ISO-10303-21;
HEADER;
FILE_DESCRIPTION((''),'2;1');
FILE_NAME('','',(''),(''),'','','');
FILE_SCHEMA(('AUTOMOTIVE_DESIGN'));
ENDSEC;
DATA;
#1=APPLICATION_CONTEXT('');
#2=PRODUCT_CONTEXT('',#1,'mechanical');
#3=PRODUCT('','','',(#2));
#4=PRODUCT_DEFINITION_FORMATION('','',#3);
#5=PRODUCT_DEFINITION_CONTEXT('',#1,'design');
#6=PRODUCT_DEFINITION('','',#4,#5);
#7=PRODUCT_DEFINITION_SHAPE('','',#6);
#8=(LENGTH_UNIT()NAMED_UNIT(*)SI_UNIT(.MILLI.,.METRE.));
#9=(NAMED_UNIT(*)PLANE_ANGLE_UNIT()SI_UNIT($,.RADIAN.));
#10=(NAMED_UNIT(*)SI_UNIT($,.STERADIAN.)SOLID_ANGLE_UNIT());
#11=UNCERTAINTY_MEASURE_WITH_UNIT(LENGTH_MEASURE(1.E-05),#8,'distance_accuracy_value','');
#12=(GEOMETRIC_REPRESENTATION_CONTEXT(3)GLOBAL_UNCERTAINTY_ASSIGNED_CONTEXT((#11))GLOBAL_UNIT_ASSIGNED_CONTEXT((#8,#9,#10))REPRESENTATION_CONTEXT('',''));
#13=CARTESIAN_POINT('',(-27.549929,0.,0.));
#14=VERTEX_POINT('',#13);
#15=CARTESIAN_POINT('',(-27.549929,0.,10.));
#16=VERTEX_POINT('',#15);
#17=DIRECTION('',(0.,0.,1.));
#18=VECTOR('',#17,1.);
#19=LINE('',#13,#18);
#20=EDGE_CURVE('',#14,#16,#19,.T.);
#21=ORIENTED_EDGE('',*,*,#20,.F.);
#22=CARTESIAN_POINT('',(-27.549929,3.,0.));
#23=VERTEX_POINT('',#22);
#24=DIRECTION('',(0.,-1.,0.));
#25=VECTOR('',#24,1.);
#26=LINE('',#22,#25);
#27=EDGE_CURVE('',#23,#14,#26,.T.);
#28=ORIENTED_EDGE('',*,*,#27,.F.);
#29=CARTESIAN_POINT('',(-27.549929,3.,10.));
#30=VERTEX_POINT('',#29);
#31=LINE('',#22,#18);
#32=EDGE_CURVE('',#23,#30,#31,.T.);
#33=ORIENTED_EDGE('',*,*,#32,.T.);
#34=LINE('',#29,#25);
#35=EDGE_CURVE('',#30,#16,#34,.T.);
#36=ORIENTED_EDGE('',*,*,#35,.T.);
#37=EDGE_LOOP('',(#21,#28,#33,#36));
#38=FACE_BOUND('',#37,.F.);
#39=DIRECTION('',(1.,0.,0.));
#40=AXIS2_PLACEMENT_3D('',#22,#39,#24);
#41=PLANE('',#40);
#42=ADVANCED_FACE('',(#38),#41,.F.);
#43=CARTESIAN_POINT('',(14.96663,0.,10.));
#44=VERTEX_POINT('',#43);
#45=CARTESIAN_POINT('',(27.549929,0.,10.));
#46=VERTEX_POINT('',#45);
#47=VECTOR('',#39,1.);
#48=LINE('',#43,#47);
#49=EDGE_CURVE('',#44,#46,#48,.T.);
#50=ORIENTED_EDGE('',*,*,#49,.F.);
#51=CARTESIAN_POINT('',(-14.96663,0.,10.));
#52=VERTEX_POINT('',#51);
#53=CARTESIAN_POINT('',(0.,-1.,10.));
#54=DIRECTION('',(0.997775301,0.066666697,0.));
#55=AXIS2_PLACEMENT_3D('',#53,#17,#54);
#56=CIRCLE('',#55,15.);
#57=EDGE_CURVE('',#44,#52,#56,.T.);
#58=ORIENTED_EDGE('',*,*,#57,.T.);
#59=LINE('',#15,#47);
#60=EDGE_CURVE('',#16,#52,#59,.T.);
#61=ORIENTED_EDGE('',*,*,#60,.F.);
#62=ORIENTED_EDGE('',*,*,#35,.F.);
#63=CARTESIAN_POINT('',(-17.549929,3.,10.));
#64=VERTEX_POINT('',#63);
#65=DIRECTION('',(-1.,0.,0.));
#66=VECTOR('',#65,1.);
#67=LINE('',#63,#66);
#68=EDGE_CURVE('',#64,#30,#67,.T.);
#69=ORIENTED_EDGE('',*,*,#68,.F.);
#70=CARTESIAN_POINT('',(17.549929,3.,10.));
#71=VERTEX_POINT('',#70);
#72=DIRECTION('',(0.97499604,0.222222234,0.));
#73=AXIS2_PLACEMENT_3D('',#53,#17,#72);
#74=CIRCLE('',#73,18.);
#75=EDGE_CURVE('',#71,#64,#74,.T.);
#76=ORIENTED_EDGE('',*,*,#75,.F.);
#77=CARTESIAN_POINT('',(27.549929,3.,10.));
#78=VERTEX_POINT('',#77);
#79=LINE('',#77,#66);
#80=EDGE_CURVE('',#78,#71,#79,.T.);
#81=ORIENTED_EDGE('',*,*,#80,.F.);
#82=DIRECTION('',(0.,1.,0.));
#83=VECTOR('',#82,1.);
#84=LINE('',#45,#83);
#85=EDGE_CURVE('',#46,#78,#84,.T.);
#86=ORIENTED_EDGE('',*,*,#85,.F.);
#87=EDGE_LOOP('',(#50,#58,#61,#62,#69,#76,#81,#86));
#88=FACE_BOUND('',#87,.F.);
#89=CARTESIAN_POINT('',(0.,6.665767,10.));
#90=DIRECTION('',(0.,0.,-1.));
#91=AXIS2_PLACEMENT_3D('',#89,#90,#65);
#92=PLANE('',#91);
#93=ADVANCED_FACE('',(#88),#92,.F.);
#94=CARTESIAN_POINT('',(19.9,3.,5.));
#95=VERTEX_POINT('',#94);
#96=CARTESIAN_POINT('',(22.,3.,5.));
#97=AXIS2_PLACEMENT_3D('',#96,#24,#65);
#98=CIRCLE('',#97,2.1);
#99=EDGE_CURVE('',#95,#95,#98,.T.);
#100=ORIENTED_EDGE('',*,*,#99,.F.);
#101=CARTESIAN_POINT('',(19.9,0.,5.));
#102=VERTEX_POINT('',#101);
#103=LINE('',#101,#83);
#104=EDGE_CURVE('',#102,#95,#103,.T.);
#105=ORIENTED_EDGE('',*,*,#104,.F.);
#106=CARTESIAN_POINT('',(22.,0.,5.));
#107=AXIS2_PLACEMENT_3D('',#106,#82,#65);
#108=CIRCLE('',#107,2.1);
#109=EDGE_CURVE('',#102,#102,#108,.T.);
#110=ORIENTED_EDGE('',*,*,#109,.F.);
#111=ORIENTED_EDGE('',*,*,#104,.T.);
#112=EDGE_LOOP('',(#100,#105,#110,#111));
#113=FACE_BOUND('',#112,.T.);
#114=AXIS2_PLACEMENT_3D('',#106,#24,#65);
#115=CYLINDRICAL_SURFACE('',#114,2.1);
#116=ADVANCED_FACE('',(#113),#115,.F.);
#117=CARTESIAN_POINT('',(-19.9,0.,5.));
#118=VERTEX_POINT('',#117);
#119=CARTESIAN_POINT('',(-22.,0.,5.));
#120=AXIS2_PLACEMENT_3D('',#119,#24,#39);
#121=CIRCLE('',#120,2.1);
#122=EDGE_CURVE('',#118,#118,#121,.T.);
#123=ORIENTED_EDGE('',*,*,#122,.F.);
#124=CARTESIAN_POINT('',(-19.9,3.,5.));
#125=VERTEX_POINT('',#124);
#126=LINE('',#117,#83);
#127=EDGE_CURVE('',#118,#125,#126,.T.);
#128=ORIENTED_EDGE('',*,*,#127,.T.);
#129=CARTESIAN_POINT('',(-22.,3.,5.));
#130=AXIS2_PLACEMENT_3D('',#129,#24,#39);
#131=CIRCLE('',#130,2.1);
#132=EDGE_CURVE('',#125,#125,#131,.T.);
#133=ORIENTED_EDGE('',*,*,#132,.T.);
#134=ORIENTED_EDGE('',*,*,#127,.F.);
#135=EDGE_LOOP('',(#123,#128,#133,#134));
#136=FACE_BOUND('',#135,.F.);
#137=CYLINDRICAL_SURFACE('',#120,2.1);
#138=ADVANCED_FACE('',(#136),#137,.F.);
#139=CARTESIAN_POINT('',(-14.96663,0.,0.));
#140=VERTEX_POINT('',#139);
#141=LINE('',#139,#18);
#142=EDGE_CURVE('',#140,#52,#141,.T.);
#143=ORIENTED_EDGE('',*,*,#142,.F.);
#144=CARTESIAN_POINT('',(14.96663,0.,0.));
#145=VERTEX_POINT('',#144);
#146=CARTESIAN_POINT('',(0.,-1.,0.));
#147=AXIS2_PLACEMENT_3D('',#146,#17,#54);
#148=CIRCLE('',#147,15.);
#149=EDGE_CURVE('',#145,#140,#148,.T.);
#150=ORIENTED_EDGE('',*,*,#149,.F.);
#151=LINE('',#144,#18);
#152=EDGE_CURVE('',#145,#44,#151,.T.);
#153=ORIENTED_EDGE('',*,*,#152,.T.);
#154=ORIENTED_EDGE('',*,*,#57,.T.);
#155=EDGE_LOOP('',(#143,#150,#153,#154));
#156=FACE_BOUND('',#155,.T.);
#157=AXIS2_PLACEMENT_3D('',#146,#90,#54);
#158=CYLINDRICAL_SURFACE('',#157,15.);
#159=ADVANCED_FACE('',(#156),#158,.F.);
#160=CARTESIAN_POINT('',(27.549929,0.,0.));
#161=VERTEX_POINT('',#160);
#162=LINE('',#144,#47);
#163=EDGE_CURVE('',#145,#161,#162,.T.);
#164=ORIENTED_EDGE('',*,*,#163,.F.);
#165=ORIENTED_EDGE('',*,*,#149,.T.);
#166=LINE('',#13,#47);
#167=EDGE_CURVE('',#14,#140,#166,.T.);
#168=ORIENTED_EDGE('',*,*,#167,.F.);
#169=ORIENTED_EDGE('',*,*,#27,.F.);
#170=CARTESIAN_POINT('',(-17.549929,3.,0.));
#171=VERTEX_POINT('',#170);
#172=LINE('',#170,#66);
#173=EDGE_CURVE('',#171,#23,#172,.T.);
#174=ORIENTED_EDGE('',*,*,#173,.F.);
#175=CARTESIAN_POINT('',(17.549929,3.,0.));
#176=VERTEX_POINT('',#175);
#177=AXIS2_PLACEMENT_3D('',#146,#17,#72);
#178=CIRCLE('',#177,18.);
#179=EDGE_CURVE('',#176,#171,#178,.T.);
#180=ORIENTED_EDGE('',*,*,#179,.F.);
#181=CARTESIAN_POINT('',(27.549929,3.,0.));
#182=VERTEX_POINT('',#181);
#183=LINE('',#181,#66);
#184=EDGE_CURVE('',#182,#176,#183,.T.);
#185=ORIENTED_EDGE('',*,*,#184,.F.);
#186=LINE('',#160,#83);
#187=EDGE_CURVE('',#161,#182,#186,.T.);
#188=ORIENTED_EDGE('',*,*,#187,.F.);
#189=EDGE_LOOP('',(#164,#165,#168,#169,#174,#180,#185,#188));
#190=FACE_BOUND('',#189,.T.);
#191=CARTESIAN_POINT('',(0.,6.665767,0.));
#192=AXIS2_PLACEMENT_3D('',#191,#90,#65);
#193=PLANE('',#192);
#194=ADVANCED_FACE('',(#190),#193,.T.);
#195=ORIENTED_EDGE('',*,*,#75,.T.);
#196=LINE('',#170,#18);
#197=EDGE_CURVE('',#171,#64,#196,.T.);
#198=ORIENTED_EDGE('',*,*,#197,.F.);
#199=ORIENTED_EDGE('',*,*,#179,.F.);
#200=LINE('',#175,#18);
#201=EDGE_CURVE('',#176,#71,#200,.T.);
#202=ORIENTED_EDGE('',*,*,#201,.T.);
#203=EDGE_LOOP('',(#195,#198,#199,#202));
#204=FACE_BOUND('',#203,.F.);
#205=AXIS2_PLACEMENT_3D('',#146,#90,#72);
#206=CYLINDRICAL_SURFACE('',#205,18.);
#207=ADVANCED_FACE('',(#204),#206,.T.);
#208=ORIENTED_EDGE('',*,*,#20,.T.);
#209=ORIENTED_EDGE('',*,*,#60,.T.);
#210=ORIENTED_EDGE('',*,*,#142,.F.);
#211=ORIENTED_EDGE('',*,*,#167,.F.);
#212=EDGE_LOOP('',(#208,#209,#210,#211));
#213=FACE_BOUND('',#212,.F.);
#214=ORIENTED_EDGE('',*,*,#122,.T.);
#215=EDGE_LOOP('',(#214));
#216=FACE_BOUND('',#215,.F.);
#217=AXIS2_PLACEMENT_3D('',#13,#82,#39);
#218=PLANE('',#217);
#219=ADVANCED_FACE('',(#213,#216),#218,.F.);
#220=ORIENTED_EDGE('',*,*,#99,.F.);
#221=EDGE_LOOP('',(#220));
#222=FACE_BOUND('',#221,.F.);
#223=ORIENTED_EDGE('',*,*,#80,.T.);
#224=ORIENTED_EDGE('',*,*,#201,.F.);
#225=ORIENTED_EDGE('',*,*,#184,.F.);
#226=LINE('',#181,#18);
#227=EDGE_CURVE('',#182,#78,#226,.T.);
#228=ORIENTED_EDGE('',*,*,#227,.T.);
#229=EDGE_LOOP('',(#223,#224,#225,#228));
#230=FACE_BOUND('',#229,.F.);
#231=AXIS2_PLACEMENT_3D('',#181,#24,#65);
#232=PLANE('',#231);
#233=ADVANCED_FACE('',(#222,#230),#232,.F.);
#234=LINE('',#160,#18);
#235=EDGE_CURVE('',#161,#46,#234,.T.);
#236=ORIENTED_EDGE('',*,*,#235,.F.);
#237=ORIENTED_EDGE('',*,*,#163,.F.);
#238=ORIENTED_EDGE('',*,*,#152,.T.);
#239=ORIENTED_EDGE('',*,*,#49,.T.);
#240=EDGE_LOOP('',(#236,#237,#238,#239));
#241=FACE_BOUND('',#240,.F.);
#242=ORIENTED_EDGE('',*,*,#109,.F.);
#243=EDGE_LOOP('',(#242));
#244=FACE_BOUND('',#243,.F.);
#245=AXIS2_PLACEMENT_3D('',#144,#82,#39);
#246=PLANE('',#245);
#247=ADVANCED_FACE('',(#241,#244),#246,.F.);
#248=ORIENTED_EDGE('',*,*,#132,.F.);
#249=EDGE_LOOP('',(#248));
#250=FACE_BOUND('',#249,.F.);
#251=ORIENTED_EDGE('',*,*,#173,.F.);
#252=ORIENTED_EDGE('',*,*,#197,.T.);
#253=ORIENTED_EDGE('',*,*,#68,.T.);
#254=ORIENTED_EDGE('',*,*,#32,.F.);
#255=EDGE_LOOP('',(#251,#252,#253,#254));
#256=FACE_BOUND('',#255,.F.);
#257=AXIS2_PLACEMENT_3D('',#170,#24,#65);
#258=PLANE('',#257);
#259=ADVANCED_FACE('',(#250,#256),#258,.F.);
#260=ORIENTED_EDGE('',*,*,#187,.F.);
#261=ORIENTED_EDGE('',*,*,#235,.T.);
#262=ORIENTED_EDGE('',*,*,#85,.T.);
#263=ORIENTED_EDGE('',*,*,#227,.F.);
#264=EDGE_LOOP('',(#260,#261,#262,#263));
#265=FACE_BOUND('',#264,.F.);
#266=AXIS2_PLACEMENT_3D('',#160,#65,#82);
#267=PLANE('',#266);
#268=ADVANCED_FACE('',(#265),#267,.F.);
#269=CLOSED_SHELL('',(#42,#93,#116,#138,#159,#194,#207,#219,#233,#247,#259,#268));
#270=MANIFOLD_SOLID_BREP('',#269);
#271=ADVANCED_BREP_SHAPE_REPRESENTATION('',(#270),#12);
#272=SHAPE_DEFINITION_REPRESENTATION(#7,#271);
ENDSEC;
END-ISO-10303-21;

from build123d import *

# Parameters (mm, degrees)
PAD_DEPTH    = 10
SKETCH001_R  = 2.1
POCKET_DEPTH = 134.047902


with BuildPart() as part:
    # Sketch → Pad (new body)
    with BuildSketch(Plane.XY):
        with BuildLine():
            ThreePointArc((14.96663, 0), (0, 14), (-14.96663, 0))
            Line((-27.549929, 0), (-14.96663, 0))
            Line((-27.549929, 3), (-27.549929, 0))
            Line((-17.549929, 3), (-27.549929, 3))
            ThreePointArc((17.549929, 3), (0, 17), (-17.549929, 3))
            Line((27.549929, 3), (17.549929, 3))
            Line((27.549929, 0), (27.549929, 3))
            Line((14.96663, 0), (27.549929, 0))
        make_face()
    extrude(amount=PAD_DEPTH)

    # Sketch001 → Pocket (cut, through all)
    with BuildSketch(Plane.XZ):
        with Locations((-22, 5)):
            Circle(SKETCH001_R)
    pocket = extrude(amount=-POCKET_DEPTH, mode=Mode.SUBTRACT)

    # Mirrored: Pocket across Sketch001 V_Axis
    add(pocket.mirror(Plane(origin=(0, 0, 0), x_dir=(0, -1, 0), z_dir=(1, 0, 0))), mode=Mode.SUBTRACT)


solid = part.part
